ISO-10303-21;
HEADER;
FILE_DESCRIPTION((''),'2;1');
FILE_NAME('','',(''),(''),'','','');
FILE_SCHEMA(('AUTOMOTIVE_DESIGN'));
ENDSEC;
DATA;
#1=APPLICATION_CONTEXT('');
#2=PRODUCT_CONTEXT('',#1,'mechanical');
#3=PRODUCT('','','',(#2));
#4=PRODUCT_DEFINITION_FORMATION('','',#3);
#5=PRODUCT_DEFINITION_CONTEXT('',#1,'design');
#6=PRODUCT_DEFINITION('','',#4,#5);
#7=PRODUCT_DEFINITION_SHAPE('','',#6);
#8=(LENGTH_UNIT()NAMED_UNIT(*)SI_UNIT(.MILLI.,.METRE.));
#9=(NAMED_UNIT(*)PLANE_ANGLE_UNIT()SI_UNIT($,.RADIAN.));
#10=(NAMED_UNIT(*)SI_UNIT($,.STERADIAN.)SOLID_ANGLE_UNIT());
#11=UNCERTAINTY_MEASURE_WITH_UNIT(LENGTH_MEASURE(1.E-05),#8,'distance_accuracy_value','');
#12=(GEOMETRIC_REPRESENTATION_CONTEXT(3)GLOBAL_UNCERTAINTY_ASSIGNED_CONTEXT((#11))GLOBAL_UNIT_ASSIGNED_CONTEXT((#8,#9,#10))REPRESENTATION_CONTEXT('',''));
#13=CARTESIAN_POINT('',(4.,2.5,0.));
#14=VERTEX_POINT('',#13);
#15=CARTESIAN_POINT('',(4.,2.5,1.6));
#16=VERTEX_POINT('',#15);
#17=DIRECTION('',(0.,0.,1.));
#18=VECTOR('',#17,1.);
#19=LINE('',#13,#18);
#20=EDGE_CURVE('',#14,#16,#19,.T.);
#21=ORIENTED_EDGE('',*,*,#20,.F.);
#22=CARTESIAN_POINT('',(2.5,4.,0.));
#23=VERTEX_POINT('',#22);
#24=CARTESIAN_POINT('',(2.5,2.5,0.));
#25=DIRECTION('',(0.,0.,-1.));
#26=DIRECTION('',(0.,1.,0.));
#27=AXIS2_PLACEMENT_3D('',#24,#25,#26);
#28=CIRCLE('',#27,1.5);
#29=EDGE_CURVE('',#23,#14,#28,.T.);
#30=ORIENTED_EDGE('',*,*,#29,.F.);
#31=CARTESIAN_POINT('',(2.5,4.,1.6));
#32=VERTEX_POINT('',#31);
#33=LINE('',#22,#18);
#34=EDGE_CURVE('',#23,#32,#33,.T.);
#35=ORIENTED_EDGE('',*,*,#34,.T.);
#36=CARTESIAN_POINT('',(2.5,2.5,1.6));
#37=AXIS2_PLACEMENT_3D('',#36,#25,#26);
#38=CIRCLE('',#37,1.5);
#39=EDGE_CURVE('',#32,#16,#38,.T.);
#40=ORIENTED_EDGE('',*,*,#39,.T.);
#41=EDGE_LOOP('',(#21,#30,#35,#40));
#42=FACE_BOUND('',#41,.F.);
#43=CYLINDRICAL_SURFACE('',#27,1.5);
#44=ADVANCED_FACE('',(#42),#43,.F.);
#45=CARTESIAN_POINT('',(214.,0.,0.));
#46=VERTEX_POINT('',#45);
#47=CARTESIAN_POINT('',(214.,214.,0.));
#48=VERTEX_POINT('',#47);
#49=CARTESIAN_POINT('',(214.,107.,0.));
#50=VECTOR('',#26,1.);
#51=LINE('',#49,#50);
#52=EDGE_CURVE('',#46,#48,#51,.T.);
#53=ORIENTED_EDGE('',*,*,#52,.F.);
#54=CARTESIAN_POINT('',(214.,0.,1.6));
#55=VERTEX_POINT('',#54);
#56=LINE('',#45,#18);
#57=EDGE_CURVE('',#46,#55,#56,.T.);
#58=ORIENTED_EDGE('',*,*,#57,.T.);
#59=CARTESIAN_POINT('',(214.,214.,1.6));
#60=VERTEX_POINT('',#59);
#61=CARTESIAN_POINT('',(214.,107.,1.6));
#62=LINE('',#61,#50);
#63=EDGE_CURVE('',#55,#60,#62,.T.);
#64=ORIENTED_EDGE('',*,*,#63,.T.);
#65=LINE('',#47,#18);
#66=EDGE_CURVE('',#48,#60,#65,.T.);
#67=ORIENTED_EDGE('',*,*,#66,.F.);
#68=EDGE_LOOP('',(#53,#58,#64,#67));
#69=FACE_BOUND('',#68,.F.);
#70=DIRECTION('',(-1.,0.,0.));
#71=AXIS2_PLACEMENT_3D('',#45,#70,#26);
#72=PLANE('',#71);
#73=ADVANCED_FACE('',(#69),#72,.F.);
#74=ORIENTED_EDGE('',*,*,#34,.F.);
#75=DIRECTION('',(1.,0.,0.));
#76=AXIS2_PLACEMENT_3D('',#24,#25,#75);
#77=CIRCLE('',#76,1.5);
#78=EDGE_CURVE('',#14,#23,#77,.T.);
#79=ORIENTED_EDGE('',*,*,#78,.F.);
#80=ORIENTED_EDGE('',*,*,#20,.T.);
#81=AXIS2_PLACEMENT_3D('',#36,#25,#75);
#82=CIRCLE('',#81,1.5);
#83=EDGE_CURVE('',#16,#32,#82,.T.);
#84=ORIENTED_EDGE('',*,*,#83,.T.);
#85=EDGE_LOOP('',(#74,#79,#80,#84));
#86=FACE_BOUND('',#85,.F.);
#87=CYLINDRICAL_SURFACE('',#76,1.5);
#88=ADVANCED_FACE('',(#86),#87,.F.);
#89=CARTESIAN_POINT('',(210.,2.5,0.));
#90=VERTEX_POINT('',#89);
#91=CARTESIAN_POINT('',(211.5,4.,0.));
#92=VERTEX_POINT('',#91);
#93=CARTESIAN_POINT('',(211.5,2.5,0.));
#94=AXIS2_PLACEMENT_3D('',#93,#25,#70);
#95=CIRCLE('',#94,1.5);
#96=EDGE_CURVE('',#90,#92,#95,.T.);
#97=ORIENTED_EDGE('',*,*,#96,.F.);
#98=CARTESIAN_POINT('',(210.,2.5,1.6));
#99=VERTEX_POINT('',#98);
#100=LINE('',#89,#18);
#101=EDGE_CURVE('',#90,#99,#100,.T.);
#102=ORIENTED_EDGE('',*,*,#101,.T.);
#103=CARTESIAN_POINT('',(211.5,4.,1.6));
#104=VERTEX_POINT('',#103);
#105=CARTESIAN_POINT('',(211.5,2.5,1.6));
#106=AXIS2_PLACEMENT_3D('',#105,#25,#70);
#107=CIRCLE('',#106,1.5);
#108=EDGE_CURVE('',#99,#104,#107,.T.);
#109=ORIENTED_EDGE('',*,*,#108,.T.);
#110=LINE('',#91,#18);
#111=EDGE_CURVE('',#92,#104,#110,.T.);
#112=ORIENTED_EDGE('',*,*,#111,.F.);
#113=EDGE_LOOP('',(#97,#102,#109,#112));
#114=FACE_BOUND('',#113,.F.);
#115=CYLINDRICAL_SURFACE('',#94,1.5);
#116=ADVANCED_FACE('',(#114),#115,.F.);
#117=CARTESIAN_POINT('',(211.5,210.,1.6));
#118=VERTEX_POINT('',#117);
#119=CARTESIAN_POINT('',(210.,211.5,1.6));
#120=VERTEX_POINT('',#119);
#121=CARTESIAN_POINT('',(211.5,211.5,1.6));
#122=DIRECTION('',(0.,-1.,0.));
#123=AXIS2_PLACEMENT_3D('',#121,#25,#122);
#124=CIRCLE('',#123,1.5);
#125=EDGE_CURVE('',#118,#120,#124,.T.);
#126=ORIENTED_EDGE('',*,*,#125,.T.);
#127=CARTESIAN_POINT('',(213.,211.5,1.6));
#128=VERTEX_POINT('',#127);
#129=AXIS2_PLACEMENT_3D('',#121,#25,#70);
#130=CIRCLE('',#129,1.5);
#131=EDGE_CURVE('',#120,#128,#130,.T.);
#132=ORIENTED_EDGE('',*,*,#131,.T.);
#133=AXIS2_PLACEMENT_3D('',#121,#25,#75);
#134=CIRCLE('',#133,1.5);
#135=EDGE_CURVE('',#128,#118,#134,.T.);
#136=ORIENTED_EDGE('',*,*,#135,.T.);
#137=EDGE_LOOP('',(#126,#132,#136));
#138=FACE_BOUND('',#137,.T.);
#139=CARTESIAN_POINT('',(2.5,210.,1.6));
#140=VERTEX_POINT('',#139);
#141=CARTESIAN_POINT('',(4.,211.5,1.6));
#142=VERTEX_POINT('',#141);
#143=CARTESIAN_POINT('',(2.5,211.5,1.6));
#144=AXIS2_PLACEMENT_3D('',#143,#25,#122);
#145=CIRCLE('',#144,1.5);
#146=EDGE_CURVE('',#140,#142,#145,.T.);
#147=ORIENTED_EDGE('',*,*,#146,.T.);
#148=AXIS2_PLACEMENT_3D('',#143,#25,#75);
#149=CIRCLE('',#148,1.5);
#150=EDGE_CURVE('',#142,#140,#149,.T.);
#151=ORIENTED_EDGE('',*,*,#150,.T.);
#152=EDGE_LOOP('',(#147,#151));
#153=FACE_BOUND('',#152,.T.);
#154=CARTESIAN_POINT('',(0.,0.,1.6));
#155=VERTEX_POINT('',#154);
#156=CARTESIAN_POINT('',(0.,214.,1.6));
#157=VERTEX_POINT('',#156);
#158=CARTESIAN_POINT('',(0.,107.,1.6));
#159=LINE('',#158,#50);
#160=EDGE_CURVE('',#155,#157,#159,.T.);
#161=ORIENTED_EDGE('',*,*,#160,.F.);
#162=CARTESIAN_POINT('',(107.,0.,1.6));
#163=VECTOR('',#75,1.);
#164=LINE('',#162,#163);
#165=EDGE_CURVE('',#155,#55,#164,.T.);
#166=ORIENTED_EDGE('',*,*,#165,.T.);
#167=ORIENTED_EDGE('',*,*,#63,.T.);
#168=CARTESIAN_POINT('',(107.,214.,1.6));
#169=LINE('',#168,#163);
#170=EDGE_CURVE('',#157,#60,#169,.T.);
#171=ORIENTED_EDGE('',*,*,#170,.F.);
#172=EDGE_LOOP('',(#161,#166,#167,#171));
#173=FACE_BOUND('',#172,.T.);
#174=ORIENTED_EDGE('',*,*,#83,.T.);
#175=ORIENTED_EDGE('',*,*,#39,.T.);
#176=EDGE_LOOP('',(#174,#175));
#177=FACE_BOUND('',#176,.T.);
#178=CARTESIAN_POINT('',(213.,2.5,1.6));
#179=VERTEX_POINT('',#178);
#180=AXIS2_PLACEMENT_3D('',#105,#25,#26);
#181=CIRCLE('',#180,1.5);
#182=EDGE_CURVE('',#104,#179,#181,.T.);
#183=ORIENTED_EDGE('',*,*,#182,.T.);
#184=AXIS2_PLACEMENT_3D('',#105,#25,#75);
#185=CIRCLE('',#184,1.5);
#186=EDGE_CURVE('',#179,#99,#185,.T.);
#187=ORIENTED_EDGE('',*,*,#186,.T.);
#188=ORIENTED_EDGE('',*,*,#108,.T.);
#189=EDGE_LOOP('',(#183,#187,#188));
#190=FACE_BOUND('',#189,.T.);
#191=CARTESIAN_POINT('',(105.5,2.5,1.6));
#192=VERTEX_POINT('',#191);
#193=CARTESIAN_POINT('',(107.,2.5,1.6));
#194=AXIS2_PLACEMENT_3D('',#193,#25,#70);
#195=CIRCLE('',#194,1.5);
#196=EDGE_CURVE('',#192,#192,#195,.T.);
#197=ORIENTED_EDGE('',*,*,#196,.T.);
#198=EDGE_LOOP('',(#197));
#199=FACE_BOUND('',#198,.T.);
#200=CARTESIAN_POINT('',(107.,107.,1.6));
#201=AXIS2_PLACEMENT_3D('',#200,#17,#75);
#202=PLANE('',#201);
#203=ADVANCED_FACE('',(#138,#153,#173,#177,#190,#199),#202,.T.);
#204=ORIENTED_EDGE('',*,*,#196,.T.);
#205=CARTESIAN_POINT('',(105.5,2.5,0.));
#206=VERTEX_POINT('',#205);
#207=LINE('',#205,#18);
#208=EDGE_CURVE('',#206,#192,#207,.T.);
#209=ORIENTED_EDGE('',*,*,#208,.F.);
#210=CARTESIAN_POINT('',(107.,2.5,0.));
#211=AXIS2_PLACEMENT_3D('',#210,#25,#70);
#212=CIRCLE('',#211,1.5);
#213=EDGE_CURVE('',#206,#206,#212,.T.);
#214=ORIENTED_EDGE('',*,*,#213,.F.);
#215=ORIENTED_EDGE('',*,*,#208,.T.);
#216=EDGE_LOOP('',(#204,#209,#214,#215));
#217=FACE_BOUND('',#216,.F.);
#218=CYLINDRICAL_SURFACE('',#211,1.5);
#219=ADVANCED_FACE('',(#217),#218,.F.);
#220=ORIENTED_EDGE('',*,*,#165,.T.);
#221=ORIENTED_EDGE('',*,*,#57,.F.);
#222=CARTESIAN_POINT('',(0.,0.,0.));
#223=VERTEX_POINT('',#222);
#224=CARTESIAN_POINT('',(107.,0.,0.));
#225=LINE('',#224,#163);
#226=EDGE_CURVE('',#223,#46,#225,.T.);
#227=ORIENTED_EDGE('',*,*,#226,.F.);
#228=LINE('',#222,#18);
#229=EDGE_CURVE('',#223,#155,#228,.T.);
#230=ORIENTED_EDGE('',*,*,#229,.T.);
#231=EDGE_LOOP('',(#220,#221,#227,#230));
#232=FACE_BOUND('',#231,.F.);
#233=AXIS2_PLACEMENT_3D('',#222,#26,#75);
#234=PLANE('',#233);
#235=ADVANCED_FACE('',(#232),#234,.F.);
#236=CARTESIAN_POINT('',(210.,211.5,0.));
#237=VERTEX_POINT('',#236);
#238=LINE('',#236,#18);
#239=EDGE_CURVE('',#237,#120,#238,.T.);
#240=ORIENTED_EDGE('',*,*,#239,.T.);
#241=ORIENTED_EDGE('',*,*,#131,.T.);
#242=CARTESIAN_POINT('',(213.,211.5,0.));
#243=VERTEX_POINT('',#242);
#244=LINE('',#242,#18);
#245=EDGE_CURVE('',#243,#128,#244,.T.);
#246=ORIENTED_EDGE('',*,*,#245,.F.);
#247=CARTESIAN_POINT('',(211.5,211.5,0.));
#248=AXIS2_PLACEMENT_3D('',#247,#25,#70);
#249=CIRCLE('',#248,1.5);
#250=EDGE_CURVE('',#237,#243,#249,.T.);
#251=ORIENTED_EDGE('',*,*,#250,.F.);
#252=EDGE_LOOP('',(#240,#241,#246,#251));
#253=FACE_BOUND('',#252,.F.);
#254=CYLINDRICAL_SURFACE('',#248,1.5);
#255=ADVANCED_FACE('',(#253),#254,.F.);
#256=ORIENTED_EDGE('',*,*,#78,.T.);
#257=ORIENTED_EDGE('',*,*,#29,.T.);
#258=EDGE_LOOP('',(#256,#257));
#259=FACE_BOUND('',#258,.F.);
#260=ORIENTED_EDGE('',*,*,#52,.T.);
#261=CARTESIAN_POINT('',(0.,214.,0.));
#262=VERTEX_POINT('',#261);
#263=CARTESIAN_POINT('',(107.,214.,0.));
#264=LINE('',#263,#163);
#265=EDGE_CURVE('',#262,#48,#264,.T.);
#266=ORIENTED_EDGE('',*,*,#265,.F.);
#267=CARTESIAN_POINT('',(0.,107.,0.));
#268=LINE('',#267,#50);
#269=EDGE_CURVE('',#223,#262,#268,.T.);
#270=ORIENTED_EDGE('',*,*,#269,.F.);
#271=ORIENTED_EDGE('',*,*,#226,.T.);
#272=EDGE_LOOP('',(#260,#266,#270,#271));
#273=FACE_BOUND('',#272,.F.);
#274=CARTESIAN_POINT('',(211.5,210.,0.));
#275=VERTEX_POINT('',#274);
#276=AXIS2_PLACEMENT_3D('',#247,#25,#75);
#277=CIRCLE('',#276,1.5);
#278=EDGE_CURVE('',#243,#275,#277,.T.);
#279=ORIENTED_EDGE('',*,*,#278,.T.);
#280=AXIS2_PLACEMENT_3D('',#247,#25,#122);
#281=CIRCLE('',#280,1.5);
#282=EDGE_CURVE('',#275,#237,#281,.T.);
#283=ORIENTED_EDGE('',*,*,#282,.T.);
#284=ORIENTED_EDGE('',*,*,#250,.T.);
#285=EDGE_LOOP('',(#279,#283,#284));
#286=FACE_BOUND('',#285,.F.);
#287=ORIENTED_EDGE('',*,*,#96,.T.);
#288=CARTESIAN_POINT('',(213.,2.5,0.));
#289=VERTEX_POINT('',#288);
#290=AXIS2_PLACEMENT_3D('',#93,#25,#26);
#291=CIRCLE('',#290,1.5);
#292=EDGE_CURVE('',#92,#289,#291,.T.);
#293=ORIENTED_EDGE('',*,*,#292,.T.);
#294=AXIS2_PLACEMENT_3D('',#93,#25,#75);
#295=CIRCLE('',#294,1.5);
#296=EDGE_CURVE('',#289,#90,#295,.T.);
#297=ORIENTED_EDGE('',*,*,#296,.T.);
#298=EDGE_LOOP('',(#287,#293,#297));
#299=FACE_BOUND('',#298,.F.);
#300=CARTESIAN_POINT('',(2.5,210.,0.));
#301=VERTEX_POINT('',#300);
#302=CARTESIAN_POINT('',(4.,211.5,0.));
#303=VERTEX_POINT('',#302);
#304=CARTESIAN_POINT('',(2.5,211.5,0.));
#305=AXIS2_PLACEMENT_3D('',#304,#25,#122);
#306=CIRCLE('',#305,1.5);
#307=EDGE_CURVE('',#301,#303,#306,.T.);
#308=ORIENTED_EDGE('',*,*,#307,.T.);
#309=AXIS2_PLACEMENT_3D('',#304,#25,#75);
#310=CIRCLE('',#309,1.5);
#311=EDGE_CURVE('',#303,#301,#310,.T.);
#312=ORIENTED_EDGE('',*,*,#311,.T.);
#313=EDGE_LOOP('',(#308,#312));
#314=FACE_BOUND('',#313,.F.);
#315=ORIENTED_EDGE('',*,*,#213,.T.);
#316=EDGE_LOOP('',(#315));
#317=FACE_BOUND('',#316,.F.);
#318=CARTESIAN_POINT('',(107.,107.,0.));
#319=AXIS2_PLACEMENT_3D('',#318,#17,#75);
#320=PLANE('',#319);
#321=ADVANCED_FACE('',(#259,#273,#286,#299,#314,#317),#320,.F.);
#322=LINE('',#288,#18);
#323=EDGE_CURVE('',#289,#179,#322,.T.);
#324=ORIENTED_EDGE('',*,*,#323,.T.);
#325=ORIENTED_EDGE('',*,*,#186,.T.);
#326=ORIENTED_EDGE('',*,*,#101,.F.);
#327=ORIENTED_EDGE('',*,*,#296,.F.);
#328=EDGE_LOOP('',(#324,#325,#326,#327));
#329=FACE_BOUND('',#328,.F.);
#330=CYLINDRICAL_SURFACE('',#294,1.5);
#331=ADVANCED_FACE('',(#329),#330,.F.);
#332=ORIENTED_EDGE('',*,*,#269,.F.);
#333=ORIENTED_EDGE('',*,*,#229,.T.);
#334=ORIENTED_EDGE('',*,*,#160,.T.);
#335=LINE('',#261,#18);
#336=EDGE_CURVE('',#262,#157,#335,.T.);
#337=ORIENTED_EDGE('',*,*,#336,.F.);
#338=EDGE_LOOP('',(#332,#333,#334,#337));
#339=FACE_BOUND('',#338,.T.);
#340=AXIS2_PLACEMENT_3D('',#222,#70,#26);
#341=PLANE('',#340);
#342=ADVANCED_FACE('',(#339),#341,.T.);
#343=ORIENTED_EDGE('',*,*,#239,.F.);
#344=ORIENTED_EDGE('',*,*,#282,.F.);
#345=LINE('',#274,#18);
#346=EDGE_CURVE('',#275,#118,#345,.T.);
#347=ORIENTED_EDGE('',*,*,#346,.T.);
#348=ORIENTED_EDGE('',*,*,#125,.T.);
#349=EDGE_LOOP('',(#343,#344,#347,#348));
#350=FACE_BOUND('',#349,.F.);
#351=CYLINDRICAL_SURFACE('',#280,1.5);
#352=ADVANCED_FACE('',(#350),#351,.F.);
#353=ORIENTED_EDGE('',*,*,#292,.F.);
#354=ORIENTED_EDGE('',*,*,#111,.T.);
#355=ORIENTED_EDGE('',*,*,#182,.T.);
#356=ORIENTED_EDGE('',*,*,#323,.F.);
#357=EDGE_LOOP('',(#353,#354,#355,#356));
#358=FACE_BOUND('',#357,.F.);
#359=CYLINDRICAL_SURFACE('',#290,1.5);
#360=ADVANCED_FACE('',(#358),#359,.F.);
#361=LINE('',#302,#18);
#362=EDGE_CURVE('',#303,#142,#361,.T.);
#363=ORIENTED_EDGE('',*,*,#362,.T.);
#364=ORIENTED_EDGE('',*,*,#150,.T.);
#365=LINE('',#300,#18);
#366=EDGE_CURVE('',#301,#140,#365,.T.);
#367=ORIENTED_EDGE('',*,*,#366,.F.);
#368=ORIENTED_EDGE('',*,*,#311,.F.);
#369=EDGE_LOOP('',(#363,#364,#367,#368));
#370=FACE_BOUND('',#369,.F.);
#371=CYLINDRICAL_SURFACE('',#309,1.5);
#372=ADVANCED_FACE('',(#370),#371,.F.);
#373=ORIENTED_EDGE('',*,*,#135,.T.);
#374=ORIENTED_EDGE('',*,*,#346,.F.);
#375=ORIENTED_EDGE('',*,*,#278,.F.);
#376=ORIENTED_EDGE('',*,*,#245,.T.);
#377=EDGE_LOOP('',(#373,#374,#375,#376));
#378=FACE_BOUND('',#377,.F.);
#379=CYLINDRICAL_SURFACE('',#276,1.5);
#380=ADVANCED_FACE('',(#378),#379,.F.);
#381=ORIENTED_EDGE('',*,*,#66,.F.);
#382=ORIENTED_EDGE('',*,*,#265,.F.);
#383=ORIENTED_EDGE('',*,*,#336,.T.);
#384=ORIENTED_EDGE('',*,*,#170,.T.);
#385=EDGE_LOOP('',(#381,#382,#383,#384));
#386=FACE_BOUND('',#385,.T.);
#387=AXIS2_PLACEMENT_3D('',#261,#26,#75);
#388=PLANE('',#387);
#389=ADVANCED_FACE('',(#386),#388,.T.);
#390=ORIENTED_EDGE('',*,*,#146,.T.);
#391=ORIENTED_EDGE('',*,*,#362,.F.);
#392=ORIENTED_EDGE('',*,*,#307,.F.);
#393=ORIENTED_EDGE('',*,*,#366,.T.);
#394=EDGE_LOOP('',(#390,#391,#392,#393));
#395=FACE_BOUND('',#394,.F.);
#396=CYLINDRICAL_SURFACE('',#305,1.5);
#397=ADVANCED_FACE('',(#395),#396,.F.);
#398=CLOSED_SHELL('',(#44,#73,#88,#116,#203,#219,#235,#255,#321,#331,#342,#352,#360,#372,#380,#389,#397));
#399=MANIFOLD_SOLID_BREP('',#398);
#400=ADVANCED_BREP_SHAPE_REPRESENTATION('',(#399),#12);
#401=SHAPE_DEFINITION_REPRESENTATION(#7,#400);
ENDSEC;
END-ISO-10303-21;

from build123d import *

# Parameters (mm, degrees)
F0_W     = 214
F0_H     = 214
F1_DEPTH = 1.6


with BuildPart() as f1:
    # F0 (on Top) → F1 (new body)
    with BuildSketch(Plane.XY):
        with Locations((107, 107)):
            Rectangle(F0_W, F0_H)
        with BuildLine():
            Line((105.5, 2.5), (4, 2.5))
            ThreePointArc((4, 2.5), (1.4393398282, 1.4393398282), (2.5, 4))
            Line((2.5, 4), (2.5, 210))
            ThreePointArc((2.5, 210), (1.4393398282, 212.5606601718), (4, 211.5))
            Line((4, 211.5), (210, 211.5))
            ThreePointArc((210, 211.5), (211.5, 213), (213, 211.5))
            ThreePointArc((213, 211.5), (212.5606601718, 210.4393398282), (211.5, 210))
            Line((211.5, 210), (211.5, 4))
            ThreePointArc((211.5, 4), (212.5606601718, 3.5606601718), (213, 2.5))
            ThreePointArc((213, 2.5), (211.5, 1), (210, 2.5))
            Line((210, 2.5), (108.5, 2.5))
            ThreePointArc((108.5, 2.5), (107, 1), (105.5, 2.5))
        make_face(mode=Mode.SUBTRACT)
        with BuildLine():
            ThreePointArc((2.5, 4), (3.5606601718, 3.5606601718), (4, 2.5))
            Line((4, 2.5), (105.5, 2.5))
            ThreePointArc((105.5, 2.5), (107, 4), (108.5, 2.5))
            Line((108.5, 2.5), (210, 2.5))
            ThreePointArc((210, 2.5), (210.4393398282, 3.5606601718), (211.5, 4))
            Line((211.5, 4), (211.5, 210))
            ThreePointArc((211.5, 210), (210.4393398282, 210.4393398282), (210, 211.5))
            Line((210, 211.5), (4, 211.5))
            ThreePointArc((4, 211.5), (3.5606601718, 210.4393398282), (2.5, 210))
            Line((2.5, 210), (2.5, 4))
        make_face()
    extrude(amount=F1_DEPTH)


solid = f1.part
